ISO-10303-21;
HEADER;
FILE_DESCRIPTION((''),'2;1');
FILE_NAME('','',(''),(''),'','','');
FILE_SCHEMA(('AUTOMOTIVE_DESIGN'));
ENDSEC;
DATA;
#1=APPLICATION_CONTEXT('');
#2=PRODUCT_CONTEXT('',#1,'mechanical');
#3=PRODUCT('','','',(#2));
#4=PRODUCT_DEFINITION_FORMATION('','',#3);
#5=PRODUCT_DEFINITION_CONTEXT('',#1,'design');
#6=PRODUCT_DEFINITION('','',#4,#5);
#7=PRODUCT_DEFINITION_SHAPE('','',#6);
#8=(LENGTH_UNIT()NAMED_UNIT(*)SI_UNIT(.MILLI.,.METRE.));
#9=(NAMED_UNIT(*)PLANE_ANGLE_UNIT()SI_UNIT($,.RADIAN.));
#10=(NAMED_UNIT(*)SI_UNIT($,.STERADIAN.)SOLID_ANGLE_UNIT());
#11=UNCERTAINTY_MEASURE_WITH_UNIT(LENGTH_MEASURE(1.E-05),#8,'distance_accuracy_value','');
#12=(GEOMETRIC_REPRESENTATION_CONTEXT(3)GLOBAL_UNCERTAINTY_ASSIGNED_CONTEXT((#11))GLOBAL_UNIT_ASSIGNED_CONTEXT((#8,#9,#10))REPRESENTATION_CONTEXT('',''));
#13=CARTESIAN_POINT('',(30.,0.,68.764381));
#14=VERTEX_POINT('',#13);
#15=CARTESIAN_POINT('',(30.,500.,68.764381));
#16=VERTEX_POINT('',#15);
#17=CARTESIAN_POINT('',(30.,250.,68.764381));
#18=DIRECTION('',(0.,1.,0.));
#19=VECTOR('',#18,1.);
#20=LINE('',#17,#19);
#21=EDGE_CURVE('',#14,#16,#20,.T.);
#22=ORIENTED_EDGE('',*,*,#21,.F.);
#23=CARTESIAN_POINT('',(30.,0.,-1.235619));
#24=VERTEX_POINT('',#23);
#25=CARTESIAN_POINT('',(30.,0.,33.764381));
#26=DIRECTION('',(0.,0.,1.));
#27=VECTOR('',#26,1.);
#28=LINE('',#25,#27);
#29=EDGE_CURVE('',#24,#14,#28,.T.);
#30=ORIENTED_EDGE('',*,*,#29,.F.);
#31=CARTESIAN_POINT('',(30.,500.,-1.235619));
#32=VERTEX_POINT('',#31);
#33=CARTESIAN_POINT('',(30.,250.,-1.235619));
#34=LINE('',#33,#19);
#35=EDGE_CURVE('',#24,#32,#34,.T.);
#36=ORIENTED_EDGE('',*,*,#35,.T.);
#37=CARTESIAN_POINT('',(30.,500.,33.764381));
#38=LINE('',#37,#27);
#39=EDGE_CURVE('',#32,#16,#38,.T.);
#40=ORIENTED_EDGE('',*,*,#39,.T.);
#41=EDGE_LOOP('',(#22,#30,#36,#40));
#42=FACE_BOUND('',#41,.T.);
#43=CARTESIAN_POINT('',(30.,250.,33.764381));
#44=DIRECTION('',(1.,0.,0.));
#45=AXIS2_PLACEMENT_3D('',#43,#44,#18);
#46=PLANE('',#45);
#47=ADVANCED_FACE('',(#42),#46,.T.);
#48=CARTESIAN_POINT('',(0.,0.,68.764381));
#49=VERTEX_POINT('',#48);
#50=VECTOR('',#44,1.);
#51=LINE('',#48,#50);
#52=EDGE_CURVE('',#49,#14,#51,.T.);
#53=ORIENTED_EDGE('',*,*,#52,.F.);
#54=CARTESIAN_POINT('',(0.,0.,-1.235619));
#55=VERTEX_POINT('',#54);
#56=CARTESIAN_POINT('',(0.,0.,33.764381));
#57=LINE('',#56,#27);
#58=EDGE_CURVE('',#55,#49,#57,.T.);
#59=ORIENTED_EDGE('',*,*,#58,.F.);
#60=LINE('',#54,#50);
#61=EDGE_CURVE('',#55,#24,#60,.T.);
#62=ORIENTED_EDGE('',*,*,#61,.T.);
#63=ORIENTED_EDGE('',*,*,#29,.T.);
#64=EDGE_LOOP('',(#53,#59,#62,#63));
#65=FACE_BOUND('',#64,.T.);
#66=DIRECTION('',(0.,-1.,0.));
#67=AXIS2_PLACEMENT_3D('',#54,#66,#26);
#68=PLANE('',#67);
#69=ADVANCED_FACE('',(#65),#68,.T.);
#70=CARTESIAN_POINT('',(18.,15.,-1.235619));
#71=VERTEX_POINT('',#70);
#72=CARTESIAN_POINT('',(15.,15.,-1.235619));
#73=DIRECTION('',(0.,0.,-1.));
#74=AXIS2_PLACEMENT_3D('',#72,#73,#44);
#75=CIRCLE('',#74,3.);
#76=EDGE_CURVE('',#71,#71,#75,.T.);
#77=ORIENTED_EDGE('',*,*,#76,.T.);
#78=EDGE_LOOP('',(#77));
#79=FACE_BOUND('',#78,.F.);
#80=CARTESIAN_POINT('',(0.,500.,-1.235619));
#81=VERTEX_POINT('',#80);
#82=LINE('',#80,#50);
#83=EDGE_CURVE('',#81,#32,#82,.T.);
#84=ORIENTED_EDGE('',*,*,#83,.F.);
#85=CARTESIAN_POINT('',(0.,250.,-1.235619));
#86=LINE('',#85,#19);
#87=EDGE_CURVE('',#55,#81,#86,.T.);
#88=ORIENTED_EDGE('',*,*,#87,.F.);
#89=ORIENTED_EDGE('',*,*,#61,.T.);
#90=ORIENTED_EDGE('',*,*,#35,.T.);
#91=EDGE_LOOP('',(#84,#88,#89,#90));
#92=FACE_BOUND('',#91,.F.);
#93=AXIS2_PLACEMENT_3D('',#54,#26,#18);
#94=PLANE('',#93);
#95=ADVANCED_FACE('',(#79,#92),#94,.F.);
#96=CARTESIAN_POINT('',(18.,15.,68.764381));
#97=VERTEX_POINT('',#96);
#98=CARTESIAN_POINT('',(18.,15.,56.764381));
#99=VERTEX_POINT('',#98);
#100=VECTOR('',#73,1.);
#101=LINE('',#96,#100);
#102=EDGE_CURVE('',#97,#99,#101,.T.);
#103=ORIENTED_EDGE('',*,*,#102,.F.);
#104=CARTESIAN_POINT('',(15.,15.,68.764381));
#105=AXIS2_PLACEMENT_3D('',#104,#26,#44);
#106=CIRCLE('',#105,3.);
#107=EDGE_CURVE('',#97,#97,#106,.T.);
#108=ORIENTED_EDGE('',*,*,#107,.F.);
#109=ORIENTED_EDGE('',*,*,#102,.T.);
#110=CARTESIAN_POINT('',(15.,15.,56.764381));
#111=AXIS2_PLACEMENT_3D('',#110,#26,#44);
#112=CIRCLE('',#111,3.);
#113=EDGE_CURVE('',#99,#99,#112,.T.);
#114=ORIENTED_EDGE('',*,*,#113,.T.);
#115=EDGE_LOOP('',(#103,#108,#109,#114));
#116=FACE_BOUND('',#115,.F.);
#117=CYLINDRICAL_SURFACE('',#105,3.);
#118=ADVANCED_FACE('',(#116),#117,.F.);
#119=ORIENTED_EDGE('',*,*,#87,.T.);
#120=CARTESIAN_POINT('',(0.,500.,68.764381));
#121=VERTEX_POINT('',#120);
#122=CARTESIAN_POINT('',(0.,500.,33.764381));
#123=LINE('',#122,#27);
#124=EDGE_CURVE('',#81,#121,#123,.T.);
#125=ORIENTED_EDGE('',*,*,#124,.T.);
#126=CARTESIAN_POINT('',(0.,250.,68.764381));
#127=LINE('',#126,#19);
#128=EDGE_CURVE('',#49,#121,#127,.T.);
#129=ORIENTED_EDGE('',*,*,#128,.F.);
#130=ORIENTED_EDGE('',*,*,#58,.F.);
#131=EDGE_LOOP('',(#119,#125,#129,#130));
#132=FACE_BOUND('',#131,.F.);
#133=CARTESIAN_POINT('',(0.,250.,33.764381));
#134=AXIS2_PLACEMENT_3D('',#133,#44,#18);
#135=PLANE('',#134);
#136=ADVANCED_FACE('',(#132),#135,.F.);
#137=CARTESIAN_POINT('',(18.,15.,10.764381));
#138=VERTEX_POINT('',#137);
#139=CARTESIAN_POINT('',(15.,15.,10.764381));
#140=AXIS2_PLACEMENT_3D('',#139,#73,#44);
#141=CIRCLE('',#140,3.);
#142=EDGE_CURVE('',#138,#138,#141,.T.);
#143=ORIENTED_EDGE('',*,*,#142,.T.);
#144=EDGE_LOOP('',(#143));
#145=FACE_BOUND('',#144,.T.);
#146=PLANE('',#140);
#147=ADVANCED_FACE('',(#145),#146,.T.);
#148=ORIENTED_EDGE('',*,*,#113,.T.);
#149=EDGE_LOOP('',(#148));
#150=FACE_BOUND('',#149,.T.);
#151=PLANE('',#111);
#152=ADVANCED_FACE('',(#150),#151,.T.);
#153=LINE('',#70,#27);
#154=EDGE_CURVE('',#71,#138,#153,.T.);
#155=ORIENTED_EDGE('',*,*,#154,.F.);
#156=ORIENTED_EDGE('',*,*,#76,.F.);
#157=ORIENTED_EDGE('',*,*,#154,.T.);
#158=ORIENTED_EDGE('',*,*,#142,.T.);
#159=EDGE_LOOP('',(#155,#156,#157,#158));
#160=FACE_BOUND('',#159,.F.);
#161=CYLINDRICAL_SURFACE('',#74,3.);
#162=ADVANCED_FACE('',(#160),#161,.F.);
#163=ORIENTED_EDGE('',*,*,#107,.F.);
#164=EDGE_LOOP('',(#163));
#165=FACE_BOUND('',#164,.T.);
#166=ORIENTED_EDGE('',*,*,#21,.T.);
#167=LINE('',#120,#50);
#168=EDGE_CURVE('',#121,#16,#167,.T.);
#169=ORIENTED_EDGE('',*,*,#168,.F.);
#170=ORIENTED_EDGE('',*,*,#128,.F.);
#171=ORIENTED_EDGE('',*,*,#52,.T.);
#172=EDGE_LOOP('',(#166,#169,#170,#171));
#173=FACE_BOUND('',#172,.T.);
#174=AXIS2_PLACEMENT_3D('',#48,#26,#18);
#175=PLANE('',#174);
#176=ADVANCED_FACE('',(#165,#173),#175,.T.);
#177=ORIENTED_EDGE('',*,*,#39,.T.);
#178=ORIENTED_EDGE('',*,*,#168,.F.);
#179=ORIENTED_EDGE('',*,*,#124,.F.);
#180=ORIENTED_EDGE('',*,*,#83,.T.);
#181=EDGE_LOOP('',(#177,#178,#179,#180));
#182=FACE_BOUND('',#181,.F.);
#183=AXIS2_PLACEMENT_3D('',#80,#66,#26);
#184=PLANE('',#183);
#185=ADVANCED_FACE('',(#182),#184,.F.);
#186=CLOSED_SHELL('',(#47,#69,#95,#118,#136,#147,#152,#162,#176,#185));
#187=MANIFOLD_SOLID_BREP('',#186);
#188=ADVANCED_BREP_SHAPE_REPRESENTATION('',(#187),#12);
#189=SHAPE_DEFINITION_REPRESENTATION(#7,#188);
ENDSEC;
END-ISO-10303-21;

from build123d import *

# Parameters (mm, degrees)
F0_W     = 500
F0_H     = 70
F1_DEPTH = 30
F2_R     = 3
F3_DEPTH = 12
F4_R     = 3
F5_DEPTH = 12


with BuildPart() as f1:
    # F0 (on Right) → F1 (new body)
    with BuildSketch(Plane.YZ):
        with Locations((250, 33.764381)):
            Rectangle(F0_W, F0_H)
    extrude(amount=F1_DEPTH)

    # F2 (on face) → F3 (cut)
    with BuildSketch(Plane.XY.offset(68.764381)):
        with Locations((15, 15)):
            Circle(F2_R)
    extrude(amount=-F3_DEPTH, mode=Mode.SUBTRACT)

    # F4 (on face) → F5 (cut)
    with BuildSketch(Plane(origin=(0, 0, -1.235619), x_dir=(1, 0, 0), z_dir=(0, 0, -1))):
        with Locations((15, -15)):
            Circle(F4_R)
    extrude(amount=-F5_DEPTH, mode=Mode.SUBTRACT)


solid = f1.part
